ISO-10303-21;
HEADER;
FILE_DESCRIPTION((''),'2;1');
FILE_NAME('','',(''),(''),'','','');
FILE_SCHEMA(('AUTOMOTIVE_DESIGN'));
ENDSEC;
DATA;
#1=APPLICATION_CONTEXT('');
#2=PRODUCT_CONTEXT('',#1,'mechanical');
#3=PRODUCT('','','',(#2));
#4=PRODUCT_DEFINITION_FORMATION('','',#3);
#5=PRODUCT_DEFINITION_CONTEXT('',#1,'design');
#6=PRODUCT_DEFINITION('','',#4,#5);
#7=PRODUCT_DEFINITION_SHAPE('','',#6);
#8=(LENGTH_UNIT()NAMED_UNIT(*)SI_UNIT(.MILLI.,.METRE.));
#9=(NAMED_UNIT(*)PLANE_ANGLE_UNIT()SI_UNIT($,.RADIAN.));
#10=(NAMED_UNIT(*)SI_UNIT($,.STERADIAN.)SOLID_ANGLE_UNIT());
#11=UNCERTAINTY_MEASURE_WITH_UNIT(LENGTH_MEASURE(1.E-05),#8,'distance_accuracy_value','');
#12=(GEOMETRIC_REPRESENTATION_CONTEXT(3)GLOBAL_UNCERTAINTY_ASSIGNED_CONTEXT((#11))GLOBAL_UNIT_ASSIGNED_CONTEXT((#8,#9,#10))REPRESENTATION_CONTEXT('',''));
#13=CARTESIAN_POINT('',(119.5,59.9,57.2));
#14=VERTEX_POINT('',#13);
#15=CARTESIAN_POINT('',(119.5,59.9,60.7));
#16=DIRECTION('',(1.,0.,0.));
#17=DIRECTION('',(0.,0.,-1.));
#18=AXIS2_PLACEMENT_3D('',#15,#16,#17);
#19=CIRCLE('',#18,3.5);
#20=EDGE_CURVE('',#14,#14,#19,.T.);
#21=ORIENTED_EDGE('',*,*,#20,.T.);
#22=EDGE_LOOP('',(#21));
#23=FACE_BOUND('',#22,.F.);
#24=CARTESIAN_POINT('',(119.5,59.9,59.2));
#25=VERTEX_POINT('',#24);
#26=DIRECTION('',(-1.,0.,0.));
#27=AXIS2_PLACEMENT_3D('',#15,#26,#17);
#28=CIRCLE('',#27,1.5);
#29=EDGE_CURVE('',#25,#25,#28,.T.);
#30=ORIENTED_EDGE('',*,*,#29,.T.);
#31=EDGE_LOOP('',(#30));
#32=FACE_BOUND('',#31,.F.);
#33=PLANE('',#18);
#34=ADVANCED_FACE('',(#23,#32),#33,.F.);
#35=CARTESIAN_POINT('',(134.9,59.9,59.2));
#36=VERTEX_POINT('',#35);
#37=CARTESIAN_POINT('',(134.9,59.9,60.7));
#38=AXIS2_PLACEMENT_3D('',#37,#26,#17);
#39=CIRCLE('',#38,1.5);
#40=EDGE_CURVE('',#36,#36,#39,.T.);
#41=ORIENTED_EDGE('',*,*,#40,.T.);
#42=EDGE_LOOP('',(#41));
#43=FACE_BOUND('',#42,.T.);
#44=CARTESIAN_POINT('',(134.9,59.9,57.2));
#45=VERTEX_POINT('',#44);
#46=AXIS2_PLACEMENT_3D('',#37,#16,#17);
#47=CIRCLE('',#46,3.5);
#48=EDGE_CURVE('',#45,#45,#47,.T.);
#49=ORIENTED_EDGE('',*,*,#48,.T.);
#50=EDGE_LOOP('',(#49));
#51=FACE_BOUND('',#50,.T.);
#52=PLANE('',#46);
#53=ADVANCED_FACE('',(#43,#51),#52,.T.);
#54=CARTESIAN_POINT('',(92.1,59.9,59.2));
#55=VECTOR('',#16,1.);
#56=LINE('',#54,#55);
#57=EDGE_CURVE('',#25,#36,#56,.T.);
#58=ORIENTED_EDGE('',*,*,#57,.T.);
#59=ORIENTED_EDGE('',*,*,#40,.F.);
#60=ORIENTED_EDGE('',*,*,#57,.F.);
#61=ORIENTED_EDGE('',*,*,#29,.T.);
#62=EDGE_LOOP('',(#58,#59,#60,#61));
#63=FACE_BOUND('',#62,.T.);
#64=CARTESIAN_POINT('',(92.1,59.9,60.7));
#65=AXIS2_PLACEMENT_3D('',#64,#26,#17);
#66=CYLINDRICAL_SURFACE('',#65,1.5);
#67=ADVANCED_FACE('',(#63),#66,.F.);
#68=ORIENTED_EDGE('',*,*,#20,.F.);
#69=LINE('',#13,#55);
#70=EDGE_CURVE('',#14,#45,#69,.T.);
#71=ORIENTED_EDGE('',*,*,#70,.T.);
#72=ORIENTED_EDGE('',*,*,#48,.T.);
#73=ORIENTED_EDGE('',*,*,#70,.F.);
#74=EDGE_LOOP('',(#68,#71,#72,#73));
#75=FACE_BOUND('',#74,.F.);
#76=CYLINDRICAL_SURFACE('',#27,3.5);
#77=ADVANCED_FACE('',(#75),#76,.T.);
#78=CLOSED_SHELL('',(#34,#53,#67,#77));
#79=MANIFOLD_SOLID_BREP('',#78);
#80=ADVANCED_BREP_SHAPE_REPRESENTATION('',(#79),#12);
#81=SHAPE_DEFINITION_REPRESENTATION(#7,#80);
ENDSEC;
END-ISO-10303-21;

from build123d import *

# Parameters (mm, degrees)
CYLINDER177_R     = 1.5
CYLINDER177_DEPTH = 55
CYLINDER173_R     = 3.5
CYLINDER173_DEPTH = 15.4


with BuildPart() as cylinder177:
    # Cylinder177 → Cylinder177 (new body)
    with BuildSketch(Plane(origin=(92.1, 59.9, 60.7), x_dir=(0, 0, -1), z_dir=(1, 0, 0))):
        Circle(CYLINDER177_R)
    extrude(amount=CYLINDER177_DEPTH)


with BuildPart() as cut211:
    # Cylinder173 → Cylinder173 (new body)
    with BuildSketch(Plane(origin=(119.5, 59.9, 60.7), x_dir=(0, 0, -1), z_dir=(1, 0, 0))):
        Circle(CYLINDER173_R)
    extrude(amount=CYLINDER173_DEPTH)

    # Cut211: cut Cylinder177
    add(cylinder177.part, mode=Mode.SUBTRACT)


solid = cut211.part
